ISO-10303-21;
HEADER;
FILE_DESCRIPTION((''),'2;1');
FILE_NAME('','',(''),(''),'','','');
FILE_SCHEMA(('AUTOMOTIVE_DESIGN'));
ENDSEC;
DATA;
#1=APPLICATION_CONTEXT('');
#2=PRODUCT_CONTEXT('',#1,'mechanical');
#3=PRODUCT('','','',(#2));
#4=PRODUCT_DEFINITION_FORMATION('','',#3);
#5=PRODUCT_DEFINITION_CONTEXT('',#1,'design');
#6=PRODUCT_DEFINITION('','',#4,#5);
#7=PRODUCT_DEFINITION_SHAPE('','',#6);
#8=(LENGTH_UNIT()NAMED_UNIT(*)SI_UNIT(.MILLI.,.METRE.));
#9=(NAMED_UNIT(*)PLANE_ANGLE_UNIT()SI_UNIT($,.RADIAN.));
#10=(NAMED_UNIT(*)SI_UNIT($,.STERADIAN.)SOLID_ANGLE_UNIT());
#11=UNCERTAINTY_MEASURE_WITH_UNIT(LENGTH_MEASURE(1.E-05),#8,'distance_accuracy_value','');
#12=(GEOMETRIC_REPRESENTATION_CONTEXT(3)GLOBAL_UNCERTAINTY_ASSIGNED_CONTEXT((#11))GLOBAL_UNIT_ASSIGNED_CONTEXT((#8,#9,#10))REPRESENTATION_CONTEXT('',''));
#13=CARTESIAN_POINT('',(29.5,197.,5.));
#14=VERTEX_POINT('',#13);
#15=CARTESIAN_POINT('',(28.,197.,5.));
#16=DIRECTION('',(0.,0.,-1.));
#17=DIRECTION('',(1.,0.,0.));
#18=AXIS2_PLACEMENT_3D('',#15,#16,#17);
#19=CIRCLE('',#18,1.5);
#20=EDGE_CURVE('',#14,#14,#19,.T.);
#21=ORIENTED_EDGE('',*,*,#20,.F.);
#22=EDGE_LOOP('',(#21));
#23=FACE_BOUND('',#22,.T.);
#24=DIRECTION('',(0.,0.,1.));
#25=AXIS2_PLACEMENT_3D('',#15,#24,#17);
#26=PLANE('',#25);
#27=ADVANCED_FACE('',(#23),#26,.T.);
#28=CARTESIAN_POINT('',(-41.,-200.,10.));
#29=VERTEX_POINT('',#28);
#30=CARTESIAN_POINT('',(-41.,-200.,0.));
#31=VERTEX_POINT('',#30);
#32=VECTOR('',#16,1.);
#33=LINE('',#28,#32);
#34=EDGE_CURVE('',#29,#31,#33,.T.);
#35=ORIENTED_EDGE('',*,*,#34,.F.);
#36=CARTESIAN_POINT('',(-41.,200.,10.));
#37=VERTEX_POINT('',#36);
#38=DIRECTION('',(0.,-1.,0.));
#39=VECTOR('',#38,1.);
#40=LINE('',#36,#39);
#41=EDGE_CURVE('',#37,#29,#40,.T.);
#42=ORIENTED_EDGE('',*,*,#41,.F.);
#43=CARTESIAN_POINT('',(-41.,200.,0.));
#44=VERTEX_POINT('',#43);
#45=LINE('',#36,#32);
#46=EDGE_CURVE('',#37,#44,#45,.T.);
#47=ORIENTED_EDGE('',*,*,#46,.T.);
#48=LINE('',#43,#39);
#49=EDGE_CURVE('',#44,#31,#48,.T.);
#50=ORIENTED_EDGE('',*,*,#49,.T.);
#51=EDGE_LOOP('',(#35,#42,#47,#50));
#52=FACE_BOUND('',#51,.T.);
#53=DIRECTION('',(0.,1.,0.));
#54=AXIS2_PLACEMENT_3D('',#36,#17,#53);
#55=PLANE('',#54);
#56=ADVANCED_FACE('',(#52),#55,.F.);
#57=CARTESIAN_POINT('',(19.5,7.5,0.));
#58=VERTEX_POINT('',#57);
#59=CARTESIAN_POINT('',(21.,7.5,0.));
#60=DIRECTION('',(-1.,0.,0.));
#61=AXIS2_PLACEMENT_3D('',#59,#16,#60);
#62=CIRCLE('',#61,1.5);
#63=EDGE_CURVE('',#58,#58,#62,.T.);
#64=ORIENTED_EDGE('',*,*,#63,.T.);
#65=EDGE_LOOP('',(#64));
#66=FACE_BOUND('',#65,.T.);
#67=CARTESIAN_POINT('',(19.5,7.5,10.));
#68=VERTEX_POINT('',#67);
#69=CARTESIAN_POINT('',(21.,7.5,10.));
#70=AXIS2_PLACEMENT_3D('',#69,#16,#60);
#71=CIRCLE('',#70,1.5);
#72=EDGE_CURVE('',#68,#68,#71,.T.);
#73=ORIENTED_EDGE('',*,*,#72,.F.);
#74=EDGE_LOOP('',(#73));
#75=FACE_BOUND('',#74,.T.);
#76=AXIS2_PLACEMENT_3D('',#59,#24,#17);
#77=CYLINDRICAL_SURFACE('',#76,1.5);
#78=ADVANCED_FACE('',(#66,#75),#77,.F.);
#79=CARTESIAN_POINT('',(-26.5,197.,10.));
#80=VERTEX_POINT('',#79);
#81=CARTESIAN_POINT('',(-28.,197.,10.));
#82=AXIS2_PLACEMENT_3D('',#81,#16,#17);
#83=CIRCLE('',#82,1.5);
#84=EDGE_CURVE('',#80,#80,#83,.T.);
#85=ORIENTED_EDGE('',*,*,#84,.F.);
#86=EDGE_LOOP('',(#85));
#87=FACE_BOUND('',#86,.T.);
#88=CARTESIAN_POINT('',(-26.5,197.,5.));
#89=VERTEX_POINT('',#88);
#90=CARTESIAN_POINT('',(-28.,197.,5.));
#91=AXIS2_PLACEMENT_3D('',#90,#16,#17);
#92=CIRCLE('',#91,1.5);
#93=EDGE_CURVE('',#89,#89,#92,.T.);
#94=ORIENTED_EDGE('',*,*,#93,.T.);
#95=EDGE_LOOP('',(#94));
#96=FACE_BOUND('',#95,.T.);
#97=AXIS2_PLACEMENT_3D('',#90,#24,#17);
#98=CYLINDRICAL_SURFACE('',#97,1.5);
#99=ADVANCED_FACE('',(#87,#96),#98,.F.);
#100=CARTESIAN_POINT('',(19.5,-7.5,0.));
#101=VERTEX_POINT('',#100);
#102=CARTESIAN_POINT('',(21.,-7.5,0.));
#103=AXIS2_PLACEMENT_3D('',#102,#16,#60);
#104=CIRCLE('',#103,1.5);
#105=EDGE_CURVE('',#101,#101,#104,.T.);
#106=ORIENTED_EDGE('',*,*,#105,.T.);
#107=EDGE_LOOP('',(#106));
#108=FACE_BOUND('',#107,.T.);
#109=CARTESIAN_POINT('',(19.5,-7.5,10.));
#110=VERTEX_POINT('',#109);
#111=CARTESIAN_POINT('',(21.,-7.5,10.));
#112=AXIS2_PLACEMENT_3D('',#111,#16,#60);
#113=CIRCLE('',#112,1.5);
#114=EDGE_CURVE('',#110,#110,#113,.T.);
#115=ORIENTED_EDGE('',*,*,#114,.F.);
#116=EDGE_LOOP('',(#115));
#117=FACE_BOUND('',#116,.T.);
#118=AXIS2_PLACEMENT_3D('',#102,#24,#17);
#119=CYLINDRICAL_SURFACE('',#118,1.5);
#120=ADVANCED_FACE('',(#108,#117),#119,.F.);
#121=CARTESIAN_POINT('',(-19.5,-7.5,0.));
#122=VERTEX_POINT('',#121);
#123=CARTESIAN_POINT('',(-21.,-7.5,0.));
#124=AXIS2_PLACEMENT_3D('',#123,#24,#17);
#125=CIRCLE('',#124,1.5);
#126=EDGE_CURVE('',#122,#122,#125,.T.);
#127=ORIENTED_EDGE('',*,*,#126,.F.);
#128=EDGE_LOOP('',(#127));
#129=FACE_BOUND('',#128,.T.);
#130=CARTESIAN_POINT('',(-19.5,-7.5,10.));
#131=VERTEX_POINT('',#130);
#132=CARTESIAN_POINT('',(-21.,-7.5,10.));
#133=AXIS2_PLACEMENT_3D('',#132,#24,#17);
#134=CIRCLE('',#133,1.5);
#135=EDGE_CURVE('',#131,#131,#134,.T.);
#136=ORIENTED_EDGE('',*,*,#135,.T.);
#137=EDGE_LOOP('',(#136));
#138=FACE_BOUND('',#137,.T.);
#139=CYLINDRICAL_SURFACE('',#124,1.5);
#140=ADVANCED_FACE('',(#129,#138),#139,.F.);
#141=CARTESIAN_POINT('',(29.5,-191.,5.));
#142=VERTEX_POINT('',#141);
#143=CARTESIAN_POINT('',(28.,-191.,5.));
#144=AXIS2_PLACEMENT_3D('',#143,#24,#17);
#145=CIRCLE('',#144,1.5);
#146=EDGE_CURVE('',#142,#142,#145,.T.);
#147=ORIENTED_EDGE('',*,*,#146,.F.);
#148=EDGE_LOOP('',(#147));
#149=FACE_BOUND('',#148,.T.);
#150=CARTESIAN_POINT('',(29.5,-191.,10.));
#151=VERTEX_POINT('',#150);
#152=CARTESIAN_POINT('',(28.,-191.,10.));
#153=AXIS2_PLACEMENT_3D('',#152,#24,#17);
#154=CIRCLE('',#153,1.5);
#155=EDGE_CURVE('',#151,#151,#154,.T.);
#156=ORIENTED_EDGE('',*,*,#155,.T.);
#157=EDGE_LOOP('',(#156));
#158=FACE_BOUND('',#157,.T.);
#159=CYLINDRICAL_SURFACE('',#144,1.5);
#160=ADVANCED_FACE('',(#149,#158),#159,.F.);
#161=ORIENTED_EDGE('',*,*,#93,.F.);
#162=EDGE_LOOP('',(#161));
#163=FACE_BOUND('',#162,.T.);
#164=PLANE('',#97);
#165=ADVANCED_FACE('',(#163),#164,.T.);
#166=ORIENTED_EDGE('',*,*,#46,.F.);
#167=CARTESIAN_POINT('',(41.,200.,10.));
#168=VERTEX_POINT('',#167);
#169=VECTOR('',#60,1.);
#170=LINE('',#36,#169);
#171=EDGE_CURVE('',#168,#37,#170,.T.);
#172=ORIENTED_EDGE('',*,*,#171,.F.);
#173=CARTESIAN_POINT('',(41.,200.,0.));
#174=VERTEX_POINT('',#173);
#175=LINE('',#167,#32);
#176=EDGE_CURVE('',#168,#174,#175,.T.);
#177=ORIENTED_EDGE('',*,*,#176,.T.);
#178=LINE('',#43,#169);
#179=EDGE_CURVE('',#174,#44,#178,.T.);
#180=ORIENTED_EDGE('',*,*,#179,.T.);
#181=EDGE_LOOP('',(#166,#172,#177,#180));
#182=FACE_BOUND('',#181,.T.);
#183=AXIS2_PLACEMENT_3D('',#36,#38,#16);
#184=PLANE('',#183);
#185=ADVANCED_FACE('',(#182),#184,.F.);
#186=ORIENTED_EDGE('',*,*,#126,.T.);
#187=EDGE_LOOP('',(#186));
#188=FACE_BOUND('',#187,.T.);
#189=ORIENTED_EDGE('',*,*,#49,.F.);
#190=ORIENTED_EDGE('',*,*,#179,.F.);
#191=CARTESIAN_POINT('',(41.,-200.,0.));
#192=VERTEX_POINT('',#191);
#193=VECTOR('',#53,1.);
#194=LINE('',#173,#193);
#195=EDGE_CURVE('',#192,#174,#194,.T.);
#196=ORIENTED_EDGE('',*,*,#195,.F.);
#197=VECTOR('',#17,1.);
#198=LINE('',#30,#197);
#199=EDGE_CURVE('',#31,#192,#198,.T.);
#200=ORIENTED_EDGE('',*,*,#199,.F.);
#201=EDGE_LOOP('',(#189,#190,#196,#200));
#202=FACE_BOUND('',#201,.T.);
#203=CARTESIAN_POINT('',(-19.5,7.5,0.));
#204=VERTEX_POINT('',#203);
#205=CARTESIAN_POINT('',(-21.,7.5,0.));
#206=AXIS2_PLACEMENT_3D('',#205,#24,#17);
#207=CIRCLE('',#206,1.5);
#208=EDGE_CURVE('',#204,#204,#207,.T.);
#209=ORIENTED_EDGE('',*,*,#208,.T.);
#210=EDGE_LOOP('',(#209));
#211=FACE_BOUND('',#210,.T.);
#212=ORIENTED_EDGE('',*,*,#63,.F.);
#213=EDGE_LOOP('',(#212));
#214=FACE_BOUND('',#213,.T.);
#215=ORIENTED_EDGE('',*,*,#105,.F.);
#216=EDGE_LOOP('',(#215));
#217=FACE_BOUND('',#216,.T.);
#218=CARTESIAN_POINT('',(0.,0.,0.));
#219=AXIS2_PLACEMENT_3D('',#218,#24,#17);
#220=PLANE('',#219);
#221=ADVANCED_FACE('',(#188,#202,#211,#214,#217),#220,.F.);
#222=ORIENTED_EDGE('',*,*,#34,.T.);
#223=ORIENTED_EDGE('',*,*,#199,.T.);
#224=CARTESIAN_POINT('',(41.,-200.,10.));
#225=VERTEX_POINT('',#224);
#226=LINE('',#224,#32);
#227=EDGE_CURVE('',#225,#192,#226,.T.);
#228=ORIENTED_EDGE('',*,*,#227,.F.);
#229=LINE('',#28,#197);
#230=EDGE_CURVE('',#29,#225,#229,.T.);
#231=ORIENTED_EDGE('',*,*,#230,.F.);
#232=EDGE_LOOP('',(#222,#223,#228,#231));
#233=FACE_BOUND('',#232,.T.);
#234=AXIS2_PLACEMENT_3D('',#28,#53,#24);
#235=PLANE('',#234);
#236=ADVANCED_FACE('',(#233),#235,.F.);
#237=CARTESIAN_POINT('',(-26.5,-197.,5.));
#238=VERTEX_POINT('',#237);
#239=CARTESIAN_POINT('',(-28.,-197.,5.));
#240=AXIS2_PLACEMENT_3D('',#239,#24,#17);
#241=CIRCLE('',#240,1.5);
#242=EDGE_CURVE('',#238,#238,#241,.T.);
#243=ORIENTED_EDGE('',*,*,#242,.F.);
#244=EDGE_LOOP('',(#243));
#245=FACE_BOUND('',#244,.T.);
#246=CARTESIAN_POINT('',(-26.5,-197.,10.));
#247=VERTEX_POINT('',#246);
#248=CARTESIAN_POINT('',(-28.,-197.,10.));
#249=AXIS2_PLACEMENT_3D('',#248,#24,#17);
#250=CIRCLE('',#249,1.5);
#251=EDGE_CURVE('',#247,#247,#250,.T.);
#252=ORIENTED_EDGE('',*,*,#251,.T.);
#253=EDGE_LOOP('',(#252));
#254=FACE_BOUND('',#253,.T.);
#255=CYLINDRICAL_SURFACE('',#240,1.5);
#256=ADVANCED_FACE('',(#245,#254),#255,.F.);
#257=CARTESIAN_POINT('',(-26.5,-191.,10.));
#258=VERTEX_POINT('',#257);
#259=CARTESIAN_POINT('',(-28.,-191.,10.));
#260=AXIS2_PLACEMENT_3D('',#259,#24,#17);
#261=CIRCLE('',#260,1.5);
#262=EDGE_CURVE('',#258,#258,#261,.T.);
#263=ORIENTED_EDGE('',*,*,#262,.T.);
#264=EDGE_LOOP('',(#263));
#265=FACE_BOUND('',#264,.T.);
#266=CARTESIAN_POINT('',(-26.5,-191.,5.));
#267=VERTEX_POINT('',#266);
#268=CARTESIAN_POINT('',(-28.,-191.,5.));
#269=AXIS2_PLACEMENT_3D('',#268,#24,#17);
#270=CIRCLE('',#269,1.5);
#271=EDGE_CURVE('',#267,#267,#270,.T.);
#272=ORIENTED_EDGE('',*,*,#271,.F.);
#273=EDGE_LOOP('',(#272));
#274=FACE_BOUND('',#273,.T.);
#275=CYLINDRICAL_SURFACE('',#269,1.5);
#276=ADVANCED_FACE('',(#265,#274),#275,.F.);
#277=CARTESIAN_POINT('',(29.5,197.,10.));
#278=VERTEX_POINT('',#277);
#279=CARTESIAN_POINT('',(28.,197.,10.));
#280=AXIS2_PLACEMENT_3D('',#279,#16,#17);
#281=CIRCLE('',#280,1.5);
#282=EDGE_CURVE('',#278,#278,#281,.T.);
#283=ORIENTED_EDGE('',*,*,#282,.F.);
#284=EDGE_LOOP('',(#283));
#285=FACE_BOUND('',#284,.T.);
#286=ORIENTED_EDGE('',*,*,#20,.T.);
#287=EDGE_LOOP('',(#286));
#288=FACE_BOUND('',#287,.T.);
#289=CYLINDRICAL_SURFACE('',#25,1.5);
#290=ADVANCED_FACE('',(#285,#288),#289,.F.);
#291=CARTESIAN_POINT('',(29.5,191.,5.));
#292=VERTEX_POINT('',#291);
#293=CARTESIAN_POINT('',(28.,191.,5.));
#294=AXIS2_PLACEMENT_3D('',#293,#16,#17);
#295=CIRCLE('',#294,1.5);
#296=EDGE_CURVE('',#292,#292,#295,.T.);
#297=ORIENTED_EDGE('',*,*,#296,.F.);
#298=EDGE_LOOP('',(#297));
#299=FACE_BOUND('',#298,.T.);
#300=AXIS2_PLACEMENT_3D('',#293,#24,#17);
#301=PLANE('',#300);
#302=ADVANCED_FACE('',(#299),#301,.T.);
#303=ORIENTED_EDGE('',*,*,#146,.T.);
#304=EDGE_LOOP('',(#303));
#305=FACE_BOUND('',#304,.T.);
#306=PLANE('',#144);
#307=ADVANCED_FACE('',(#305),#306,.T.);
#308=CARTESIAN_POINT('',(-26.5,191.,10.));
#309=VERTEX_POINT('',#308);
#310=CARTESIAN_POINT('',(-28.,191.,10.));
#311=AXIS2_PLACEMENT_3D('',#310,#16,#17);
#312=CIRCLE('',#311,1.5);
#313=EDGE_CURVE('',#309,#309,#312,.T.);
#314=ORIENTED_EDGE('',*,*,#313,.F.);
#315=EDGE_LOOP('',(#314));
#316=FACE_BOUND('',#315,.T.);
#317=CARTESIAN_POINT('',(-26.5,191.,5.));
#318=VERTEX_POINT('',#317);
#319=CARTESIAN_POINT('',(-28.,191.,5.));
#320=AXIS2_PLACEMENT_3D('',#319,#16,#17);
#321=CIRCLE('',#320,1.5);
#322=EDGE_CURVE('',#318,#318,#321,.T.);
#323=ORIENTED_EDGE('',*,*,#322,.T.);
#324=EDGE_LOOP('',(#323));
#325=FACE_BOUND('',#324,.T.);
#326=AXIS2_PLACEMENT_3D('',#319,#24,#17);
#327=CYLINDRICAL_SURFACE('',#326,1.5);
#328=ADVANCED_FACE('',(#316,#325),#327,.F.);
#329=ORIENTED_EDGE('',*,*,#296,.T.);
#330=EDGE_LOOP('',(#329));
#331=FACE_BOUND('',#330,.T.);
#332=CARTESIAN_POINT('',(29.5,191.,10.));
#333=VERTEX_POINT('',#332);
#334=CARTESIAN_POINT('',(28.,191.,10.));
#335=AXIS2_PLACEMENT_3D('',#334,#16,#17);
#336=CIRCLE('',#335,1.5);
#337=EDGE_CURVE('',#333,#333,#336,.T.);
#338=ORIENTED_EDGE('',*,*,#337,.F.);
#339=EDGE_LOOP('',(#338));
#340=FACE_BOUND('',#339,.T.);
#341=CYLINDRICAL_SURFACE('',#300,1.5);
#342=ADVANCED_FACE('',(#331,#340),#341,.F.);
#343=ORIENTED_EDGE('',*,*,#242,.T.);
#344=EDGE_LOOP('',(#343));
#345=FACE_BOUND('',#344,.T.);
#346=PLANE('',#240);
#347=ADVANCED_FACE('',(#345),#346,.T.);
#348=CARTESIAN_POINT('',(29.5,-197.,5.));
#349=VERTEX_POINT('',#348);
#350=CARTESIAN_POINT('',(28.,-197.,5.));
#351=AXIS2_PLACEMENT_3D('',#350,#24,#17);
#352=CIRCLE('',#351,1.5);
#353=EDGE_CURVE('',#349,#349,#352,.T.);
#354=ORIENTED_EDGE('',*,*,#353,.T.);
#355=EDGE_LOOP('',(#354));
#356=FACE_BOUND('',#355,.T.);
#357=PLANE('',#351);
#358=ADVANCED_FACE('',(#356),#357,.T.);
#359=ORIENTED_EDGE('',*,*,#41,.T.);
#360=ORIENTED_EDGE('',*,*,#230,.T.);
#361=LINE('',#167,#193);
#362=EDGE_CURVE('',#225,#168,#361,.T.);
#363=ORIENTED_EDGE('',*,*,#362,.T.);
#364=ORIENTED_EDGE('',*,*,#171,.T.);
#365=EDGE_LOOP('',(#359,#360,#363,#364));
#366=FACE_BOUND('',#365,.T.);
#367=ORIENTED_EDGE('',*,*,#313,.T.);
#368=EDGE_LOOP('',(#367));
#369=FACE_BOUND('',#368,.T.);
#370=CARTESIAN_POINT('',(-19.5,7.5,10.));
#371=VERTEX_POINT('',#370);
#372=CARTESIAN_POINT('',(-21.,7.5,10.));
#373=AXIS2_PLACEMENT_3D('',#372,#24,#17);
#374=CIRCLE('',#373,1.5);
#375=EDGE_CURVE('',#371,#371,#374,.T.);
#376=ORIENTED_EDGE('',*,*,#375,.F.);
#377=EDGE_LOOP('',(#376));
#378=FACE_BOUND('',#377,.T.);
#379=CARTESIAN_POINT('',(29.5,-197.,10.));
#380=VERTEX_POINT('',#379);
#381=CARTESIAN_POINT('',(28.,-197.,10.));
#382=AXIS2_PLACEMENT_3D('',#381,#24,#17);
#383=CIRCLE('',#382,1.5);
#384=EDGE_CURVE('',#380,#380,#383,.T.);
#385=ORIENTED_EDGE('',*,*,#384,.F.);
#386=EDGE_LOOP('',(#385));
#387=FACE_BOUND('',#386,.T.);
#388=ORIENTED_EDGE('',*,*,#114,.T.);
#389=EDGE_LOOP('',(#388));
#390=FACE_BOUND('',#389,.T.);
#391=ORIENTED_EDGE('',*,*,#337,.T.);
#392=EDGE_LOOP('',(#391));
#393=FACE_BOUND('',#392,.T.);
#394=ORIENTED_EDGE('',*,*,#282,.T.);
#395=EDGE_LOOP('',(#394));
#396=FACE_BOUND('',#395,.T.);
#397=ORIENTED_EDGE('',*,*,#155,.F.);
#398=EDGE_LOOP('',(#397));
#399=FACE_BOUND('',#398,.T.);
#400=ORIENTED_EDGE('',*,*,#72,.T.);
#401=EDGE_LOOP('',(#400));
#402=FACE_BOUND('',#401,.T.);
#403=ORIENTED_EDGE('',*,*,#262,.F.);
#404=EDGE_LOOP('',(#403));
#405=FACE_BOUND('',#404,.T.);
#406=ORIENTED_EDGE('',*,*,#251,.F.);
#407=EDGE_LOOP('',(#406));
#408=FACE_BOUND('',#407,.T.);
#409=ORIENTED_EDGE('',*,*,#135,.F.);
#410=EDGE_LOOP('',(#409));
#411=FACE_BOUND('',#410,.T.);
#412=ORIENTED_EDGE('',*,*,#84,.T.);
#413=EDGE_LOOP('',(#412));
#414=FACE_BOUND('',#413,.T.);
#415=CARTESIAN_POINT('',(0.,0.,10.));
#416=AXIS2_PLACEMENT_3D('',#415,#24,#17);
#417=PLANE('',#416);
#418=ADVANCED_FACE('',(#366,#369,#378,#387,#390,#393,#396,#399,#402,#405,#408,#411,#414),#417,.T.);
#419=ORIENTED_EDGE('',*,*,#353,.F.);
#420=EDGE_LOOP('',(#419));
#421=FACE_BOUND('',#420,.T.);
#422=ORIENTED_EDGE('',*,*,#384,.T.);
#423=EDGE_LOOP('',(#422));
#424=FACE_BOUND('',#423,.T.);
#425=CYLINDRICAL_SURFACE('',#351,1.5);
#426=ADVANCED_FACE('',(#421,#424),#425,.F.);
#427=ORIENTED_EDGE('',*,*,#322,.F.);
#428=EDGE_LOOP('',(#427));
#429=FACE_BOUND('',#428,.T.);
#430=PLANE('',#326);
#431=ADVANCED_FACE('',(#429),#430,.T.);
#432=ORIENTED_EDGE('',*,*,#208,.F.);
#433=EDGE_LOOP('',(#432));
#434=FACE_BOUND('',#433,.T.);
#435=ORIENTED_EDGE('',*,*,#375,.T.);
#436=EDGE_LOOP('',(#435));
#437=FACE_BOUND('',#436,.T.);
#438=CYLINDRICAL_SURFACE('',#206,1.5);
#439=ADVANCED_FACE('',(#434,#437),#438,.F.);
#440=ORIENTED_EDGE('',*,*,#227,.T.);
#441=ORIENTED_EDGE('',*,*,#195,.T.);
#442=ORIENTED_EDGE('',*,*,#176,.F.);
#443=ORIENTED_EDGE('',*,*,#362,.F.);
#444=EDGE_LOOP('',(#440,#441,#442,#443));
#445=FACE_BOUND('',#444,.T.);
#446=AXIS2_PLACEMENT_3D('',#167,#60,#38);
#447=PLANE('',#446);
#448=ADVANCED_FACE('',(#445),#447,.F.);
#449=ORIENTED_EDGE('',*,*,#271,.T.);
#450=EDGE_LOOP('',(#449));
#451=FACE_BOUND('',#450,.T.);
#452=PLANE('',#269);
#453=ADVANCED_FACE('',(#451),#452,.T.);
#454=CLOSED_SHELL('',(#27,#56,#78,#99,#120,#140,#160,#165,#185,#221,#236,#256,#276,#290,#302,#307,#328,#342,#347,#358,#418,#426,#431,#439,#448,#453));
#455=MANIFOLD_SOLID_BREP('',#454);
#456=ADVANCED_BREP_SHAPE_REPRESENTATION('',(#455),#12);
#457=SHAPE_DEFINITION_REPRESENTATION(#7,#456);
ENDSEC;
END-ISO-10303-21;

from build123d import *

# Parameters (mm, degrees)
SKETCH_1_W          = 82
SKETCH_1_H          = 400
EXTRUDE_1_DEPTH     = 10
SKETCH_4_R          = 1.5
CUT_EXTRUDE_1_DEPTH = 5
SKETCH_5_R          = 1.5
CUT_EXTRUDE_2_DEPTH = 10


with BuildPart() as part:
    # 草图1 → 凸台-拉伸1 (new body)
    with BuildSketch(Plane.XY):
        Rectangle(SKETCH_1_W, SKETCH_1_H)
    extrude(amount=EXTRUDE_1_DEPTH)

    # 草图4 → 切除-拉伸1 (cut)
    with BuildSketch(Plane.XY.offset(10)):
        with Locations((28, -197)):
            Circle(SKETCH_4_R)
        with Locations((28, -191)):
            Circle(SKETCH_4_R)
        with Locations((-28, -197)):
            Circle(SKETCH_4_R)
        with Locations((-28, -191)):
            Circle(SKETCH_4_R)
    cut_extrude_1 = extrude(amount=-CUT_EXTRUDE_1_DEPTH, mode=Mode.SUBTRACT)

    # 镜向1: 切除-拉伸1 across plane
    add(cut_extrude_1.mirror(Plane.ZX), mode=Mode.SUBTRACT)

    # 草图5 → 切除-拉伸2 (cut)
    with BuildSketch(Plane.XY.offset(10)):
        with Locations((-21, 7.5)):
            Circle(SKETCH_5_R)
        with Locations((-21, -7.5)):
            Circle(SKETCH_5_R)
    cut_extrude_2 = extrude(amount=-CUT_EXTRUDE_2_DEPTH, mode=Mode.SUBTRACT)

    # 镜向2: 切除-拉伸2 across plane
    add(cut_extrude_2.mirror(Plane(origin=(0, 0, 0), x_dir=(0, 0, 1), z_dir=(1, 0, 0))), mode=Mode.SUBTRACT)


solid = part.part
